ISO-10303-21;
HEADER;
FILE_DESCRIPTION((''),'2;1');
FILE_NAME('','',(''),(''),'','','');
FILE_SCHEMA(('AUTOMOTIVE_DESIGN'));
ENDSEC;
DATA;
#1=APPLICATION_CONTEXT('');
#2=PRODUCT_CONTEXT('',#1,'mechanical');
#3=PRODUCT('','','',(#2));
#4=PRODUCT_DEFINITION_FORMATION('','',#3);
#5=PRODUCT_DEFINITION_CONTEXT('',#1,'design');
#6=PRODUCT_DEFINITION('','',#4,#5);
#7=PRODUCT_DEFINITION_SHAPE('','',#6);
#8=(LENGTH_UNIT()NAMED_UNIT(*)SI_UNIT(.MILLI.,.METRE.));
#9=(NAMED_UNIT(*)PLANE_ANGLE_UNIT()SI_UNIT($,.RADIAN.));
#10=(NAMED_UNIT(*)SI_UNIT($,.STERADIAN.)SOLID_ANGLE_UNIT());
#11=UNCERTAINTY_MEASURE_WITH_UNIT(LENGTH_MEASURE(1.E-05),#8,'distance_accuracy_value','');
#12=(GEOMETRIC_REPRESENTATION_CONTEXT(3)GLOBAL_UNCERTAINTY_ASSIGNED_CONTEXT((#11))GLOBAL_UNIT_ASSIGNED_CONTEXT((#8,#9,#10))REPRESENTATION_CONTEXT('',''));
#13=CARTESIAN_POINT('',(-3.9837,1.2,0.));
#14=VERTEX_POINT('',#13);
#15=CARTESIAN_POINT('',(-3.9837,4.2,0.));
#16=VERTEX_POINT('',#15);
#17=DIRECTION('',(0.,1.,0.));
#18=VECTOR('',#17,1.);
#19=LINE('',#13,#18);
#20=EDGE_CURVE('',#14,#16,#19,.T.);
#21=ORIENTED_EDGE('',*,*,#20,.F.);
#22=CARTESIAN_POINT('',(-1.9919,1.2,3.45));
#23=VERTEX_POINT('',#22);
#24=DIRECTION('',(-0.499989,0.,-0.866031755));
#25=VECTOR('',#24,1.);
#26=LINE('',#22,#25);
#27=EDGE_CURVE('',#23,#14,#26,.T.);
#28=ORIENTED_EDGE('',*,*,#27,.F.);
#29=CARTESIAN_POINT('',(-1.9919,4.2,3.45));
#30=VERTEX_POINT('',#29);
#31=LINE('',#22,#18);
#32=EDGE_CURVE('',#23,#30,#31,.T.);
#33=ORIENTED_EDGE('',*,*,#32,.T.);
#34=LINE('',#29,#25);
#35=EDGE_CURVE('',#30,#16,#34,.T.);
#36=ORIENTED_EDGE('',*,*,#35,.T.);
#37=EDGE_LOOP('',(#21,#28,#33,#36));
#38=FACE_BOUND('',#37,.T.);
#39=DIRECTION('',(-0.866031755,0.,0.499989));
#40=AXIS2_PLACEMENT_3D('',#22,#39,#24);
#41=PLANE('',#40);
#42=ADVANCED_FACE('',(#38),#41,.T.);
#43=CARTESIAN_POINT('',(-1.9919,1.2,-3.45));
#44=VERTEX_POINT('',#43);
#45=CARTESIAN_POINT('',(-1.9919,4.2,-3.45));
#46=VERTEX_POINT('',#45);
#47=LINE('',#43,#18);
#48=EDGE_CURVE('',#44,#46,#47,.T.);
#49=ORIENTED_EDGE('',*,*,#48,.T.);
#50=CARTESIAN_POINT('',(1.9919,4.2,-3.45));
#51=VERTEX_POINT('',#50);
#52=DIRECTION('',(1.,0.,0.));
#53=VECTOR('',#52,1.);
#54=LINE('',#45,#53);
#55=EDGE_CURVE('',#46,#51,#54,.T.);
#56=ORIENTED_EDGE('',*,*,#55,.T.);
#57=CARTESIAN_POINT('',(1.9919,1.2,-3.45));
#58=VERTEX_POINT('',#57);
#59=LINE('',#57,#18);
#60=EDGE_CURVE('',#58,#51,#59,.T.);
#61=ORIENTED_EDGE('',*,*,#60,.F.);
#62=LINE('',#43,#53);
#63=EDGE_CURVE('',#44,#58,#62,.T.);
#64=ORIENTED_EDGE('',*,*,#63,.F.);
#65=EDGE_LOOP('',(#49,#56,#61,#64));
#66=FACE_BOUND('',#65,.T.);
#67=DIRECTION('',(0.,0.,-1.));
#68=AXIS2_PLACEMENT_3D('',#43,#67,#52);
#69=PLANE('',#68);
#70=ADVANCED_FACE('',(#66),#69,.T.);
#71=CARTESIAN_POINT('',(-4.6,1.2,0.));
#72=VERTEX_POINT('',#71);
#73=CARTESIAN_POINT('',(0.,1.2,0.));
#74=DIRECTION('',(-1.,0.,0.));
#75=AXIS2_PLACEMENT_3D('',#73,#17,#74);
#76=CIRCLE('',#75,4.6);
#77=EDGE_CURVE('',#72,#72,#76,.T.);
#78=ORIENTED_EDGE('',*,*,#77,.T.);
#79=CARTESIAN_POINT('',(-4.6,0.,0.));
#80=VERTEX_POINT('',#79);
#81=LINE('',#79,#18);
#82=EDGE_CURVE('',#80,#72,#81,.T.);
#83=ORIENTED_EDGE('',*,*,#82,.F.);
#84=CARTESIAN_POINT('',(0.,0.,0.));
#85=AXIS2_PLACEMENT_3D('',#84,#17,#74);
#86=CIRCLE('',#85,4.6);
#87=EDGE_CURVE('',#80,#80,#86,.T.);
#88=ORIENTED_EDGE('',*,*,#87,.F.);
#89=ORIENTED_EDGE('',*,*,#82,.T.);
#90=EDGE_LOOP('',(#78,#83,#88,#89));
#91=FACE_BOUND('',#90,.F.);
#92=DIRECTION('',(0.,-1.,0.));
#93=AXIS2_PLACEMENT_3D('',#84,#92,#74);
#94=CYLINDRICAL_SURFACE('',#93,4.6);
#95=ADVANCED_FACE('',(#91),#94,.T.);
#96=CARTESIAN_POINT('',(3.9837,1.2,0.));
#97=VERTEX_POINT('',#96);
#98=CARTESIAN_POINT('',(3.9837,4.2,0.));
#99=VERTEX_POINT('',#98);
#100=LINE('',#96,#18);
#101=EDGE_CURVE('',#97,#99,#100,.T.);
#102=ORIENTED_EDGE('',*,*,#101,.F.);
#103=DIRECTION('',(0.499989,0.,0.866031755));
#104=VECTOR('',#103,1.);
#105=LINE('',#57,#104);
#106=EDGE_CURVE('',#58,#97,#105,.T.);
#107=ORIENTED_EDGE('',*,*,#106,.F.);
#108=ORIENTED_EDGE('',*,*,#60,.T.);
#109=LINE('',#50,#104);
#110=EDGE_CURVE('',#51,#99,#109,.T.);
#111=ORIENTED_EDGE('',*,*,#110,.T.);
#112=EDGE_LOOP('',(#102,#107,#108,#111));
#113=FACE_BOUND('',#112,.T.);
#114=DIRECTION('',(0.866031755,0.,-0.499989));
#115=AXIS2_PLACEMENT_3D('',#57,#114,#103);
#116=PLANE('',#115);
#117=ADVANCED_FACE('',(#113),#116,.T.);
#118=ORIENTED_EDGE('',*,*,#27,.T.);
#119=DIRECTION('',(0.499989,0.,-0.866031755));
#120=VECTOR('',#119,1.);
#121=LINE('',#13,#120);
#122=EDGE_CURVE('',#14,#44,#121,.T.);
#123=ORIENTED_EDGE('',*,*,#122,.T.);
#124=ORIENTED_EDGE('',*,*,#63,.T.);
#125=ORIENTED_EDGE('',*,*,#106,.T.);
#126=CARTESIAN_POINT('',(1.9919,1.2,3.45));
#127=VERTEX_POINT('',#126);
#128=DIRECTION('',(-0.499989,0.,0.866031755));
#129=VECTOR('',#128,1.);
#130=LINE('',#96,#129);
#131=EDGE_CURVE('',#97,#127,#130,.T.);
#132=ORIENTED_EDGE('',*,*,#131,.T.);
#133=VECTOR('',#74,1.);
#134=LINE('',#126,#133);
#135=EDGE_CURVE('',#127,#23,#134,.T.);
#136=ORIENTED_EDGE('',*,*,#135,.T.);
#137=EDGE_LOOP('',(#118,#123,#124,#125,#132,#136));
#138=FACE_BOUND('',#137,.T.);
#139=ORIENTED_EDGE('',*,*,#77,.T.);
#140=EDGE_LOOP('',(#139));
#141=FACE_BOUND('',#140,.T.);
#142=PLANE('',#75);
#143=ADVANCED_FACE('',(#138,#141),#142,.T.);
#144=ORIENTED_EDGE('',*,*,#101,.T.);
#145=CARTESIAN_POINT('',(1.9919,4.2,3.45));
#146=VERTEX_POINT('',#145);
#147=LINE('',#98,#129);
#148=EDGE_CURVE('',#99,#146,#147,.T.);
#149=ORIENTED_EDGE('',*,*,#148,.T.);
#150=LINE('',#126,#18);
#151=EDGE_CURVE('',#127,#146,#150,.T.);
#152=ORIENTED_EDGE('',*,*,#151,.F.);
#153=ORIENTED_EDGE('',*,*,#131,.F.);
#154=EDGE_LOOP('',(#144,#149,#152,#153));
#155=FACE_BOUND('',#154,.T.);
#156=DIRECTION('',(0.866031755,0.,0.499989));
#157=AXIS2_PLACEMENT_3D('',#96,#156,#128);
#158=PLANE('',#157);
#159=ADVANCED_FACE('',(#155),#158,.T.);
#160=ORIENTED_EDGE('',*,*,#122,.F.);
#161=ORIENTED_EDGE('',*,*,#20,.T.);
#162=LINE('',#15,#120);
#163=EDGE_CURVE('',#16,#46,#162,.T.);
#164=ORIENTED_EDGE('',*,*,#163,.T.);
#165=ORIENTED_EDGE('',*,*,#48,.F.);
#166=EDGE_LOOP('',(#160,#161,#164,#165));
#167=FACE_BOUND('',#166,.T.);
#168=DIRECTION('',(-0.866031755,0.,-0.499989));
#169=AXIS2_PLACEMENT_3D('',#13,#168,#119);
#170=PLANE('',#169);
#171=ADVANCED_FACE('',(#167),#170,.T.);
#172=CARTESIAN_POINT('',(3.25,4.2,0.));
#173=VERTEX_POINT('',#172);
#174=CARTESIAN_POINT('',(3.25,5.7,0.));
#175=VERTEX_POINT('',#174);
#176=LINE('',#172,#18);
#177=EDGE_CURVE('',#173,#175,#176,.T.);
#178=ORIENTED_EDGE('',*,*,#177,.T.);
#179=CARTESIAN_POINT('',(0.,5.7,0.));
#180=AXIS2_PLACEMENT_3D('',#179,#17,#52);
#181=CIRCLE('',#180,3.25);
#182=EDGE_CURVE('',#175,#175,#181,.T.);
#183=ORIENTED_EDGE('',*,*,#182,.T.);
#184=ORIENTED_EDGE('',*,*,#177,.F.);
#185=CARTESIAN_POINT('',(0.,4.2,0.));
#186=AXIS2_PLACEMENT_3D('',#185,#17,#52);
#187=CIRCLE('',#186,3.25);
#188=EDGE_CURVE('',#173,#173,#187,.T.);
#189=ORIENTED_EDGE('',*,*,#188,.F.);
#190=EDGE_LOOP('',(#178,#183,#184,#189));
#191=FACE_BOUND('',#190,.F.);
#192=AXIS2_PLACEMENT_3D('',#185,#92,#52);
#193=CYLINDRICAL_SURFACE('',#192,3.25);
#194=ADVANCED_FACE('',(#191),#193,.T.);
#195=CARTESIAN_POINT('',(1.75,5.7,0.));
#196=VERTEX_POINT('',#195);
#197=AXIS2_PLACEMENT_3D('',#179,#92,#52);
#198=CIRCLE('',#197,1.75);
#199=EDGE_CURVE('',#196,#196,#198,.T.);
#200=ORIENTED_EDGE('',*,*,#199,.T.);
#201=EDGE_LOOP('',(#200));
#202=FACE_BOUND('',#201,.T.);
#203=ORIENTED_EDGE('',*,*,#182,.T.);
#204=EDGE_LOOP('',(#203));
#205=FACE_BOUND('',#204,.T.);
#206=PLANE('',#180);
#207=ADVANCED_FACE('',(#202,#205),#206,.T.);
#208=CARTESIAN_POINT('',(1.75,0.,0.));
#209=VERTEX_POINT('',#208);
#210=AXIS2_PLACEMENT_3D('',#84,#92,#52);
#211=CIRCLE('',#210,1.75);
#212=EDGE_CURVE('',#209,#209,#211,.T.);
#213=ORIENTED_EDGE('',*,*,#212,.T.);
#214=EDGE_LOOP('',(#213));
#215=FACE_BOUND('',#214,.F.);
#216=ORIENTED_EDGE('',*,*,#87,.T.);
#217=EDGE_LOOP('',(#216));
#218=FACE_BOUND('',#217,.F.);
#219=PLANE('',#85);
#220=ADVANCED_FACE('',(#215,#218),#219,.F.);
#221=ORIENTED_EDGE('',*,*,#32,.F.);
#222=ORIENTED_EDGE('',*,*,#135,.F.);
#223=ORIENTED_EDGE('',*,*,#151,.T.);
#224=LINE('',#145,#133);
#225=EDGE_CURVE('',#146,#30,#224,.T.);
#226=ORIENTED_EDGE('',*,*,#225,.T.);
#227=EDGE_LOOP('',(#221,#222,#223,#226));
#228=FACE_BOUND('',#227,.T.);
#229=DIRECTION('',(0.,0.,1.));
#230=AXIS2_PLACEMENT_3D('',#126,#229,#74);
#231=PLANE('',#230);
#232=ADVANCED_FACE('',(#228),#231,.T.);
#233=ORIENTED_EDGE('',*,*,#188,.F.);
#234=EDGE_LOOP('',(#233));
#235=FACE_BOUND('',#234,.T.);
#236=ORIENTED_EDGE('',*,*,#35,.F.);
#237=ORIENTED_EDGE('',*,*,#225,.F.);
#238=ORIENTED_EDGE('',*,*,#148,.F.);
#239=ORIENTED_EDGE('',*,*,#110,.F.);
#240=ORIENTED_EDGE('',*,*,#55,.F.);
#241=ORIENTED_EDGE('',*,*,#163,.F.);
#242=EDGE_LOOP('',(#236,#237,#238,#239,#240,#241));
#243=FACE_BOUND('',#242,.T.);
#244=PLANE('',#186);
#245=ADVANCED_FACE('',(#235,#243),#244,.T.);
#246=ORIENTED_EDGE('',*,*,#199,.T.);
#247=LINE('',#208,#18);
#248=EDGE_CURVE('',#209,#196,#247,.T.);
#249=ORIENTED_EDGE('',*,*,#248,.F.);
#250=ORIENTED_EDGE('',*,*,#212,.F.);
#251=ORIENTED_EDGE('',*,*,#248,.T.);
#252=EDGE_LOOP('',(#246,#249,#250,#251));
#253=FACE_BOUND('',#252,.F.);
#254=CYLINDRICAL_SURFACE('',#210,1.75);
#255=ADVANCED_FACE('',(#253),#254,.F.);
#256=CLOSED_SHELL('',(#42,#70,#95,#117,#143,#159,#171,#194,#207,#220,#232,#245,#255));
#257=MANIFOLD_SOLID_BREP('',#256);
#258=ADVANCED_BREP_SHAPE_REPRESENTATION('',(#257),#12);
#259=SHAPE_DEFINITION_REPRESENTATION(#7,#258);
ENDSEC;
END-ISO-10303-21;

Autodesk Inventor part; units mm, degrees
ref_plane "YZ Plane" through (0, 0, 0) normal (1, 0, 0) x (0, 1, 0)
ref_plane "XZ Plane" through (0, 0, 0) normal (0, 1, 0) x (-1, 0, 0)
ref_plane "XY Plane" through (0, 0, 0) normal (0, 0, 1) x (1, 0, 0)
sketch "Sketch1" plane through (0, 0, 0) normal (0, 1, 0) x (-1, 0, 0)
  circle A0 centre (0, 0) radius 4.6
  dimension "d0" = 9.2
extrude "Extrusion1" add sketch "Sketch1" along normal blind 1.2
sketch "Sketch2" plane through (0, 1.2, 0) normal (0, 1, 0) x (1, 0, 0)
  line L0 (-3.9837, 0) -> (-1.9919, 3.45)
  line L1 (-1.9919, 3.45) -> (1.9919, 3.45)
  line L2 (1.9919, 3.45) -> (3.9837, 0)
  line L3 (3.9837, 0) -> (1.9919, -3.45)
  line L4 (1.9919, -3.45) -> (-1.9919, -3.45)
  line L5 (-1.9919, -3.45) -> (-3.9837, 0)
  point P0 (0, 0)
  point P1 (0, 0)
  dimension "d3" = 6.9
extrude "Extrusion2" add sketch "Sketch2" along normal blind 3
sketch "Sketch3" plane through (0, 4.2, 0) normal (0, 1, 0) x (1, 0, 0)
  circle A0 centre (0, 0) radius 3.25
  dimension "d6" = 6.5
extrude "Extrusion3" add sketch "Sketch3" along normal blind 1.5
sketch "Sketch4" plane through (0, 0, 0) normal (0, -1, 0) x (1, 0, 0)
  circle A0 centre (0, 0) radius 1.75
  dimension "d9" = 3.5
extrude "Extrusion4" cut sketch "Sketch4" against normal through all
thread "Thread1" size "M4x0.7" class "6H" standard "ANSI Metric M Profile" full length
properties part number "H003_Tuerca_M4X5_7"
